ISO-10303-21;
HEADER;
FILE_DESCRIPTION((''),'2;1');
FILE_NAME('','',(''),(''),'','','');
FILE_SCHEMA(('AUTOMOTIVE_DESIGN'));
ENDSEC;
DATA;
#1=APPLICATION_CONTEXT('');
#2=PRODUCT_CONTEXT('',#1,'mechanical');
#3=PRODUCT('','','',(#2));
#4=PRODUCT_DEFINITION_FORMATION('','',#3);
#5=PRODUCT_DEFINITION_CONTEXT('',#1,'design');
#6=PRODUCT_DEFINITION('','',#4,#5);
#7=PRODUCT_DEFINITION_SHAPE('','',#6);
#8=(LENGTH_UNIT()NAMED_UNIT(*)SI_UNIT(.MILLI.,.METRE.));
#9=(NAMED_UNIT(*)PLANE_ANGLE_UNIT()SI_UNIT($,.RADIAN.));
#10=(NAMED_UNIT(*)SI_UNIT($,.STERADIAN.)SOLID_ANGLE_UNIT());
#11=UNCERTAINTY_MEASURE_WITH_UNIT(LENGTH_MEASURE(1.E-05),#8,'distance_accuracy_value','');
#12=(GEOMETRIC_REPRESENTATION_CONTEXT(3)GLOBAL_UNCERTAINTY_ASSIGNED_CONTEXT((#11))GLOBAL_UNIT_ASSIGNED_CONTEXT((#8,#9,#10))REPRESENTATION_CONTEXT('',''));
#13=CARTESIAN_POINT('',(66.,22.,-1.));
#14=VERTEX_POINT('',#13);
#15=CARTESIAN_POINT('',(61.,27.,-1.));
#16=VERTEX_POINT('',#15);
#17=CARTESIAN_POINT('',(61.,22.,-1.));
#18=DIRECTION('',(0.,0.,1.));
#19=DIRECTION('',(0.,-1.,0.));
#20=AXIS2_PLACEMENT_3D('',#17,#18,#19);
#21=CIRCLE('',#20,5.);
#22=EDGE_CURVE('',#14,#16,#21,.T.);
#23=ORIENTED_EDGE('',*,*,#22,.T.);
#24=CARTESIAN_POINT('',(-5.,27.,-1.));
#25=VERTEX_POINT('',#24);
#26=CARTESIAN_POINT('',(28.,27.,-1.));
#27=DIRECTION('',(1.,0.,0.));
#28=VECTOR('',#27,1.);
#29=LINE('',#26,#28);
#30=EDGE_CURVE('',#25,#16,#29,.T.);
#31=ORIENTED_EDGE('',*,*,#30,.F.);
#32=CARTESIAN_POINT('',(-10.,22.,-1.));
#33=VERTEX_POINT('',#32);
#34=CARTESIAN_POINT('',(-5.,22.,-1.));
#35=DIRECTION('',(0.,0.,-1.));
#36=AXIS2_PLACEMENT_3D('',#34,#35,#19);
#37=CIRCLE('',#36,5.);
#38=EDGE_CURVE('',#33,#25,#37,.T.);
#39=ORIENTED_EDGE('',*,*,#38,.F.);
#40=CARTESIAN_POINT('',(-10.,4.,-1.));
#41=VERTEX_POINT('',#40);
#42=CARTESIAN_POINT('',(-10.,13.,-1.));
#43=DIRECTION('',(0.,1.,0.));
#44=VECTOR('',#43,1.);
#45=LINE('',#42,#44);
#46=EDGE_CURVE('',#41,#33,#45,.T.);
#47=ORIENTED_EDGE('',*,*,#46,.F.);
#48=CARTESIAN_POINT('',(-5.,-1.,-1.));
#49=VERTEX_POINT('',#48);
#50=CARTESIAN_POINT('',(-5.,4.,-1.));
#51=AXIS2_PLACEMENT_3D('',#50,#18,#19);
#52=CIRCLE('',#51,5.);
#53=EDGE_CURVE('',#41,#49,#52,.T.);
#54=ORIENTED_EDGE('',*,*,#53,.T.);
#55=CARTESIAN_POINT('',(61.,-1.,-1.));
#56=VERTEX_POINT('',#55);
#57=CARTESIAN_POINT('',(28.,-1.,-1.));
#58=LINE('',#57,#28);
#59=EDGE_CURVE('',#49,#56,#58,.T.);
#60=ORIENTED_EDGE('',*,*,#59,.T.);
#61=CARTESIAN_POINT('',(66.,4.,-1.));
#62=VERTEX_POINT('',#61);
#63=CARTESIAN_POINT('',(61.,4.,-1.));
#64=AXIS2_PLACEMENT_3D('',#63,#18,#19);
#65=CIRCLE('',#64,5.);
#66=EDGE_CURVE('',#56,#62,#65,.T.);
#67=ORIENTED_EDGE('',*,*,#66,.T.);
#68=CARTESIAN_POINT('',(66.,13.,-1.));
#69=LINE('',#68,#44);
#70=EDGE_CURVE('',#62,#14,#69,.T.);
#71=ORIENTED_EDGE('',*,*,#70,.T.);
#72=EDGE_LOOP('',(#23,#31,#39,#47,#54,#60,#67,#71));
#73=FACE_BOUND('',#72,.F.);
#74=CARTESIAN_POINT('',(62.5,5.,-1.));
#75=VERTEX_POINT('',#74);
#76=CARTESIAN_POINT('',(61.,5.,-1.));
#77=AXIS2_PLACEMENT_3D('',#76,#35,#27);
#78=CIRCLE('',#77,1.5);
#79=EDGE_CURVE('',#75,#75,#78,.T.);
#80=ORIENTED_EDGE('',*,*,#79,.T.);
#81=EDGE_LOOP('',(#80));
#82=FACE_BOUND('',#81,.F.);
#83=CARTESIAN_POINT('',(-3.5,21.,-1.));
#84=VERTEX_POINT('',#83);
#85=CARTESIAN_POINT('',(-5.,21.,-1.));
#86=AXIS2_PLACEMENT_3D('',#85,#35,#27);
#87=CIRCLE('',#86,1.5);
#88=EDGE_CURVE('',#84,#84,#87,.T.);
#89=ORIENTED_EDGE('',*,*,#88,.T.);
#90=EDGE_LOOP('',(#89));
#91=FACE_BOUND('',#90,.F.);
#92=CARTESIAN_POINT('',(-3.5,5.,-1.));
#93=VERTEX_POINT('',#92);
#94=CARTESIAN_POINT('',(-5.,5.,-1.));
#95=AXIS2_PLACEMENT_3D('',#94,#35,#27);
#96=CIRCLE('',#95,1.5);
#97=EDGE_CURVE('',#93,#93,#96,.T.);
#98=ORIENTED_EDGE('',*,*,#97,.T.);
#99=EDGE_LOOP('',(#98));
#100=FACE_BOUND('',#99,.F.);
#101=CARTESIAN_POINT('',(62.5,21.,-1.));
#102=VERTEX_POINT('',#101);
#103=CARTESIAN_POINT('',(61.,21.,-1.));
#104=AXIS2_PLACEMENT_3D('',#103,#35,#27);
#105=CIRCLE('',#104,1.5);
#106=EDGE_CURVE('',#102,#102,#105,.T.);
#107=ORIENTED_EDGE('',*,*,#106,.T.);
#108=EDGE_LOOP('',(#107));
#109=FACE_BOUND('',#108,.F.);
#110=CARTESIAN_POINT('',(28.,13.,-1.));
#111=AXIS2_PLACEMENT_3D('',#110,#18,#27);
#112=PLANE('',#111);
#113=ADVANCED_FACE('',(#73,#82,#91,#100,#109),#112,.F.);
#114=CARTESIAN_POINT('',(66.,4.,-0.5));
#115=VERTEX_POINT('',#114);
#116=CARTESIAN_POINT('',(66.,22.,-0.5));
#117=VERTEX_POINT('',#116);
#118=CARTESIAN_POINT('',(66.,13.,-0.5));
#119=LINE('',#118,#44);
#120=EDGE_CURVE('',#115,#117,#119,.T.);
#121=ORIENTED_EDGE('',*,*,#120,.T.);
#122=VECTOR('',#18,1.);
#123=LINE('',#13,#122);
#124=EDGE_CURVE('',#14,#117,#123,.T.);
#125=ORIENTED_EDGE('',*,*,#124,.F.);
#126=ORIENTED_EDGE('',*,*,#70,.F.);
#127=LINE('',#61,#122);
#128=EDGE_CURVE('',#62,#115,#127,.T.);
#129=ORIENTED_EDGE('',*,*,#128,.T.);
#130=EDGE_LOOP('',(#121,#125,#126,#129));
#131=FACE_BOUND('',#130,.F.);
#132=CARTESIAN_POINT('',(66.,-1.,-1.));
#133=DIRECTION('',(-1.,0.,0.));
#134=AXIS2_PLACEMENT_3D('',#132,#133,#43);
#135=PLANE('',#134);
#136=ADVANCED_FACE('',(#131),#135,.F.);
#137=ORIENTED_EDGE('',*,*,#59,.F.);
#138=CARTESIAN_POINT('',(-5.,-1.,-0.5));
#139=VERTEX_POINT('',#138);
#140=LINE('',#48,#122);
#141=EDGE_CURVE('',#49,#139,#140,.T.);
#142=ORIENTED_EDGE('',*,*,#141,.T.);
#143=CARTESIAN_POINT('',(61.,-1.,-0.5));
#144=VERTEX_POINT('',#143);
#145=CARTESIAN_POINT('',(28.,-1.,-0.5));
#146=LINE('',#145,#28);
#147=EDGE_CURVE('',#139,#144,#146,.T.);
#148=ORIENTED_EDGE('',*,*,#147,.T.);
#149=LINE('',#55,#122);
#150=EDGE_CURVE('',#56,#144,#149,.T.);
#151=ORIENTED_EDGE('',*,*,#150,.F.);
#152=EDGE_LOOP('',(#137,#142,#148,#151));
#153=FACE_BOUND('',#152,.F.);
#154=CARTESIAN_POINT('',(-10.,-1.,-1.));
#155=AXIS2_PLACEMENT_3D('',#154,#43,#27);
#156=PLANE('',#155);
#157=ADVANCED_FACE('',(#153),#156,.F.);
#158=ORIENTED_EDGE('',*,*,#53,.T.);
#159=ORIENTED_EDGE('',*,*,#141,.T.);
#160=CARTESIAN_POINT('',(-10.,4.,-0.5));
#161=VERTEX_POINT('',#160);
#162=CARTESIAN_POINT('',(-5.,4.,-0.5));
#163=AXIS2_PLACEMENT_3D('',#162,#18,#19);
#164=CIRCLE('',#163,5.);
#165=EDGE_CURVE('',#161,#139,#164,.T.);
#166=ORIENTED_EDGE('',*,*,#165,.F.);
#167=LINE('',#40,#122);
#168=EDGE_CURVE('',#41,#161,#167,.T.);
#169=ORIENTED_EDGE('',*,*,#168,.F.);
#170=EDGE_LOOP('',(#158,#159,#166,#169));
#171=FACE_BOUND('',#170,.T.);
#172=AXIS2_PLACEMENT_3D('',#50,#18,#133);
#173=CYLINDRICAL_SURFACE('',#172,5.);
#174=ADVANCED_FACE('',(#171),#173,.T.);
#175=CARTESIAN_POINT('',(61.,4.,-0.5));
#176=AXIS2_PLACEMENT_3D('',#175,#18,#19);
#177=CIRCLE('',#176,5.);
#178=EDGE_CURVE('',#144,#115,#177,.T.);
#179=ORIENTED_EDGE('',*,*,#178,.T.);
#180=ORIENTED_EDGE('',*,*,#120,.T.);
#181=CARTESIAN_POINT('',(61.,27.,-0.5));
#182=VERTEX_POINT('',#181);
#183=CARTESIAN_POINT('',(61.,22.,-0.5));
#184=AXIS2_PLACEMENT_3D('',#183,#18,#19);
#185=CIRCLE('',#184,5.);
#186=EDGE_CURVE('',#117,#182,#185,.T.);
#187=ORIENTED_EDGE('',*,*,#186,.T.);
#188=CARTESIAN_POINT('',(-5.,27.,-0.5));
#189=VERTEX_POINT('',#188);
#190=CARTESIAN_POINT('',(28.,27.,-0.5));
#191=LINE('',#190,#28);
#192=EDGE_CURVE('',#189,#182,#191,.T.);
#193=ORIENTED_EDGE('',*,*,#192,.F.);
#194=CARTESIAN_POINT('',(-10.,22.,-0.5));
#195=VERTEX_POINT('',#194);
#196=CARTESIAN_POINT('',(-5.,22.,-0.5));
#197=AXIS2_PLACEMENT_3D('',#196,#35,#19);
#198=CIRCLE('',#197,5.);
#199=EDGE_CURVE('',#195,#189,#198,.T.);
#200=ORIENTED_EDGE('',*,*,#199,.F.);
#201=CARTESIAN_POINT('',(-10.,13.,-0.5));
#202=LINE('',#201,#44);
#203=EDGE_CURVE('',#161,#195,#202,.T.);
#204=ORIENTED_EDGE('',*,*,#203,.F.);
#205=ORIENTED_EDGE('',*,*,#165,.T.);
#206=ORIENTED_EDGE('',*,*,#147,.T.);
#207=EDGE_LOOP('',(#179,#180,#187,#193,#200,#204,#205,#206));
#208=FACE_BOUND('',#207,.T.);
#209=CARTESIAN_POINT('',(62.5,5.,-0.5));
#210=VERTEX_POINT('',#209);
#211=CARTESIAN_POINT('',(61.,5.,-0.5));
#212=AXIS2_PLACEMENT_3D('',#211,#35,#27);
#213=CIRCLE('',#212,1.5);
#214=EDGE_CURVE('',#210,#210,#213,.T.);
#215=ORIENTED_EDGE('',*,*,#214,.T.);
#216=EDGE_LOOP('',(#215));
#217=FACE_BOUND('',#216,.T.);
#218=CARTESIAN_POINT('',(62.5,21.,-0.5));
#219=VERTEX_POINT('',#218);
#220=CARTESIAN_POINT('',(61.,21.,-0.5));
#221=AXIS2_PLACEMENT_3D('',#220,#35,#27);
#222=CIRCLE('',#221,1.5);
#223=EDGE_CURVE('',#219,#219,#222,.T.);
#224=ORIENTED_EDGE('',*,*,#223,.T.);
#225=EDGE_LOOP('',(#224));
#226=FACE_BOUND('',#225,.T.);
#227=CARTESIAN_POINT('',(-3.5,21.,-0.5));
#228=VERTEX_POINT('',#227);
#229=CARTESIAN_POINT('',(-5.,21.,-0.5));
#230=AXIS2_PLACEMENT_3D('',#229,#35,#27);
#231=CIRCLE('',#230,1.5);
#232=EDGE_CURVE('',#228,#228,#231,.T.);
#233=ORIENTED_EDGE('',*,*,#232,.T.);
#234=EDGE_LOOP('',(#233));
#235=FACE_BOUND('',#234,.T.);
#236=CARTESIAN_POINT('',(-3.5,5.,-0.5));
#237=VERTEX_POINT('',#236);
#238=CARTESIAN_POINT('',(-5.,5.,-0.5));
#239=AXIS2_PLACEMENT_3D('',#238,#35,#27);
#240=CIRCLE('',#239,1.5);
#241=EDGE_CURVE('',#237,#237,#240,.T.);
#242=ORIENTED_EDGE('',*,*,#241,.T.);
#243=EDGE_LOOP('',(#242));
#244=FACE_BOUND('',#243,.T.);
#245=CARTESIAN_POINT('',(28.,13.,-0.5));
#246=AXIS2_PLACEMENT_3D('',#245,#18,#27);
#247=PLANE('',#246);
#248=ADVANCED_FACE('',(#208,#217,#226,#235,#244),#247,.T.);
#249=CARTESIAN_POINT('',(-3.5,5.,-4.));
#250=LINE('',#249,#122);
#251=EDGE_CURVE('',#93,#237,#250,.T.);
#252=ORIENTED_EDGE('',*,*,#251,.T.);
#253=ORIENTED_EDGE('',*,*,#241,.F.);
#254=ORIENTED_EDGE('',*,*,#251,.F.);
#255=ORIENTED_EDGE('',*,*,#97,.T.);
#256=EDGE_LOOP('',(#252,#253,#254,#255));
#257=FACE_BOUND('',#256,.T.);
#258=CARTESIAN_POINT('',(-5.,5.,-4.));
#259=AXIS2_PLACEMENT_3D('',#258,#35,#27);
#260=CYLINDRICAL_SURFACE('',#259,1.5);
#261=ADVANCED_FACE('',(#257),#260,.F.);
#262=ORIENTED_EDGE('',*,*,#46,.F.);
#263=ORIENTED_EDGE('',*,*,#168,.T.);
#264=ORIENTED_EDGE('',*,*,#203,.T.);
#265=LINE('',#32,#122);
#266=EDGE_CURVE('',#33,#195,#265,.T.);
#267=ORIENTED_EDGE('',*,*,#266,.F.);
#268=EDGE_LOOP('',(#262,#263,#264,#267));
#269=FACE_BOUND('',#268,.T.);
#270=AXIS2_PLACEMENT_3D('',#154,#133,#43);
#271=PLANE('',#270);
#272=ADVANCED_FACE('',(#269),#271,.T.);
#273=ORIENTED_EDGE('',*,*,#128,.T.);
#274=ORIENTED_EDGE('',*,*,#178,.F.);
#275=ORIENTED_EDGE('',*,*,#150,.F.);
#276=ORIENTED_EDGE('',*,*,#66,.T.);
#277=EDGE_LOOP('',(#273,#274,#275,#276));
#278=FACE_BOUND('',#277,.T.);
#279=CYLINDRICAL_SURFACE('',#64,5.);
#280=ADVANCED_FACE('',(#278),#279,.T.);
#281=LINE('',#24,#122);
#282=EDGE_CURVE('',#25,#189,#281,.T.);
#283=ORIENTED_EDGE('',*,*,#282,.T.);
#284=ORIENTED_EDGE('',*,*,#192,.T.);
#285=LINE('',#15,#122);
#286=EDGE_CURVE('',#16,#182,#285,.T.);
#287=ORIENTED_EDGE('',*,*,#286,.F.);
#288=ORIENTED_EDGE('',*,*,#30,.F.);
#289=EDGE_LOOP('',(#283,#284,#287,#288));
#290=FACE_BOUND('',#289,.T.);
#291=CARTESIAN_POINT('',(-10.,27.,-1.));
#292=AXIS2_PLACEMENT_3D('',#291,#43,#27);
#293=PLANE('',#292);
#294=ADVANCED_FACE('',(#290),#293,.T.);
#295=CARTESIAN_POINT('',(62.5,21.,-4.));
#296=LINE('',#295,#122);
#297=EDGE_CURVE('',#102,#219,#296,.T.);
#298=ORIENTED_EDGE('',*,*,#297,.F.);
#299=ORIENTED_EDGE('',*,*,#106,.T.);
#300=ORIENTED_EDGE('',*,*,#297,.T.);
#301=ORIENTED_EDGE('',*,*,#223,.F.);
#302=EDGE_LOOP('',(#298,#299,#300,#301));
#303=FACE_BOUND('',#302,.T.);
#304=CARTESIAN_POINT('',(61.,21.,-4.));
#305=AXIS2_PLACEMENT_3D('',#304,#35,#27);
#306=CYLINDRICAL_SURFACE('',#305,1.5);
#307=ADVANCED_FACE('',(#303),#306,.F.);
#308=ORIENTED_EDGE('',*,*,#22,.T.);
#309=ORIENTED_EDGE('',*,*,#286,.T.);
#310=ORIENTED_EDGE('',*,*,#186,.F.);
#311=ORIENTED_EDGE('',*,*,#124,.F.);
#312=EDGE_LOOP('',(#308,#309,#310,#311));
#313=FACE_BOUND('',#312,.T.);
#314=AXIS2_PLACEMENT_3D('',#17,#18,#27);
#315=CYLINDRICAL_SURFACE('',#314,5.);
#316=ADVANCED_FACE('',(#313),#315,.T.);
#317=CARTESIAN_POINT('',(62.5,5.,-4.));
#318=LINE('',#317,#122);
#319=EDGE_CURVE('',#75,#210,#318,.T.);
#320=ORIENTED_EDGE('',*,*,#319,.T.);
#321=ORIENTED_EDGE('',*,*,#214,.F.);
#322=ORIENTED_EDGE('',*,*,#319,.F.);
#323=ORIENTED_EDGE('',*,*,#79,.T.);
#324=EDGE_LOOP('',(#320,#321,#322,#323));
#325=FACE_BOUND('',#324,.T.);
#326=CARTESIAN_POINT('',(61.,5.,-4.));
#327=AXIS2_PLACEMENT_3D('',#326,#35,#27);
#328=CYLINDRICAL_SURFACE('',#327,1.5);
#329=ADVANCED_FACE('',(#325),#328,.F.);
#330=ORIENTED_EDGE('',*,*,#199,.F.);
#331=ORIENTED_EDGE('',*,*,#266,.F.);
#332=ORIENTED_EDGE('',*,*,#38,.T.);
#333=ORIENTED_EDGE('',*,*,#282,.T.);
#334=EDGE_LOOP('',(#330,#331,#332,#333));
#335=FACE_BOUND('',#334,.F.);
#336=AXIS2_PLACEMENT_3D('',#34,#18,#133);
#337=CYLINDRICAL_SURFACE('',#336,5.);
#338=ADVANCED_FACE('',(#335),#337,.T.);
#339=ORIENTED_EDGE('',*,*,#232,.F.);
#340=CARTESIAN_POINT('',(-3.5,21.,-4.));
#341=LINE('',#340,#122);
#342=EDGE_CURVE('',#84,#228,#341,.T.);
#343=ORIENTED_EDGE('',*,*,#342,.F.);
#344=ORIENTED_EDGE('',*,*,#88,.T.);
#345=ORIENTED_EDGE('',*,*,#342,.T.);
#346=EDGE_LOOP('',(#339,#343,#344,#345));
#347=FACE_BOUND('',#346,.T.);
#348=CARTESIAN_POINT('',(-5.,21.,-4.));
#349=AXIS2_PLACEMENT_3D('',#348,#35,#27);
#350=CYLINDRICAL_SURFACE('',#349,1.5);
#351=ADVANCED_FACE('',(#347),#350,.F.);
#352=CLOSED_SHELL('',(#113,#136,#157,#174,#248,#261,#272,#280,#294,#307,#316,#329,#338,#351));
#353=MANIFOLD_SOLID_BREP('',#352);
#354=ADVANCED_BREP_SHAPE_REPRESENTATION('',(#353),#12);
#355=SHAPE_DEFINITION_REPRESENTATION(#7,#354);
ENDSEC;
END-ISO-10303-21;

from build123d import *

# Parameters (mm, degrees)
CYLINDER001_R     = 1.5
CYLINDER001_DEPTH = 10
ARRAY001_X_COUNT  = 2
ARRAY001_X_PITCH  = 66
ARRAY001_Y_COUNT  = 2
ARRAY001_Y_PITCH  = 16
BOX002_W          = 76
BOX002_H          = 28
BOX002_DEPTH      = 0.5
FILLET001_R       = 5


with BuildPart() as screw_body_hole_array:
    # Cylinder001 → Cylinder001 (new body)
    with BuildSketch(Plane.XY):
        Circle(CYLINDER001_R)
    extrude(amount=CYLINDER001_DEPTH)

    # Array001 X: screw body hole array ×2


with BuildPart() as screw_body_hole_array_1:
    add(screw_body_hole_array.part)
    with Locations(*[(i * ARRAY001_X_PITCH, 0, 0) for i in range(1, ARRAY001_X_COUNT)]):
        add(screw_body_hole_array.part)

    # Array001 Y: screw body hole array ×2


with BuildPart() as screw_body_hole_array_2:
    add(screw_body_hole_array_1.part)
    with Locations(*[(0, i * ARRAY001_Y_PITCH, 0) for i in range(1, ARRAY001_Y_COUNT)]):
        add(screw_body_hole_array_1.part)


with BuildPart() as screw_body_hole_array_3:
    # Array001 placement: moved
    add(screw_body_hole_array_2.part.moved(Location((-5, 5, -4))))


with BuildPart() as amplifier_lid_cut:
    # Box002 → Box002 (new body)
    with BuildSketch(Plane(origin=(-10, -1, -1), x_dir=(1, 0, 0), z_dir=(0, 0, 1))):
        with Locations((38, 14)):
            Rectangle(BOX002_W, BOX002_H)
    extrude(amount=BOX002_DEPTH)

    # Fillet001
    fillet001_edges = [amplifier_lid_cut.edges().sort_by_distance(p)[0] for p in [
        (-10, -1, -0.75),
        (-10, 27, -0.75),
        (66, -1, -0.75),
        (66, 27, -0.75),
    ]]
    fillet(fillet001_edges, radius=FILLET001_R)

    # Cut001: cut screw body hole array
    add(screw_body_hole_array_3.part, mode=Mode.SUBTRACT)


solid = amplifier_lid_cut.part
